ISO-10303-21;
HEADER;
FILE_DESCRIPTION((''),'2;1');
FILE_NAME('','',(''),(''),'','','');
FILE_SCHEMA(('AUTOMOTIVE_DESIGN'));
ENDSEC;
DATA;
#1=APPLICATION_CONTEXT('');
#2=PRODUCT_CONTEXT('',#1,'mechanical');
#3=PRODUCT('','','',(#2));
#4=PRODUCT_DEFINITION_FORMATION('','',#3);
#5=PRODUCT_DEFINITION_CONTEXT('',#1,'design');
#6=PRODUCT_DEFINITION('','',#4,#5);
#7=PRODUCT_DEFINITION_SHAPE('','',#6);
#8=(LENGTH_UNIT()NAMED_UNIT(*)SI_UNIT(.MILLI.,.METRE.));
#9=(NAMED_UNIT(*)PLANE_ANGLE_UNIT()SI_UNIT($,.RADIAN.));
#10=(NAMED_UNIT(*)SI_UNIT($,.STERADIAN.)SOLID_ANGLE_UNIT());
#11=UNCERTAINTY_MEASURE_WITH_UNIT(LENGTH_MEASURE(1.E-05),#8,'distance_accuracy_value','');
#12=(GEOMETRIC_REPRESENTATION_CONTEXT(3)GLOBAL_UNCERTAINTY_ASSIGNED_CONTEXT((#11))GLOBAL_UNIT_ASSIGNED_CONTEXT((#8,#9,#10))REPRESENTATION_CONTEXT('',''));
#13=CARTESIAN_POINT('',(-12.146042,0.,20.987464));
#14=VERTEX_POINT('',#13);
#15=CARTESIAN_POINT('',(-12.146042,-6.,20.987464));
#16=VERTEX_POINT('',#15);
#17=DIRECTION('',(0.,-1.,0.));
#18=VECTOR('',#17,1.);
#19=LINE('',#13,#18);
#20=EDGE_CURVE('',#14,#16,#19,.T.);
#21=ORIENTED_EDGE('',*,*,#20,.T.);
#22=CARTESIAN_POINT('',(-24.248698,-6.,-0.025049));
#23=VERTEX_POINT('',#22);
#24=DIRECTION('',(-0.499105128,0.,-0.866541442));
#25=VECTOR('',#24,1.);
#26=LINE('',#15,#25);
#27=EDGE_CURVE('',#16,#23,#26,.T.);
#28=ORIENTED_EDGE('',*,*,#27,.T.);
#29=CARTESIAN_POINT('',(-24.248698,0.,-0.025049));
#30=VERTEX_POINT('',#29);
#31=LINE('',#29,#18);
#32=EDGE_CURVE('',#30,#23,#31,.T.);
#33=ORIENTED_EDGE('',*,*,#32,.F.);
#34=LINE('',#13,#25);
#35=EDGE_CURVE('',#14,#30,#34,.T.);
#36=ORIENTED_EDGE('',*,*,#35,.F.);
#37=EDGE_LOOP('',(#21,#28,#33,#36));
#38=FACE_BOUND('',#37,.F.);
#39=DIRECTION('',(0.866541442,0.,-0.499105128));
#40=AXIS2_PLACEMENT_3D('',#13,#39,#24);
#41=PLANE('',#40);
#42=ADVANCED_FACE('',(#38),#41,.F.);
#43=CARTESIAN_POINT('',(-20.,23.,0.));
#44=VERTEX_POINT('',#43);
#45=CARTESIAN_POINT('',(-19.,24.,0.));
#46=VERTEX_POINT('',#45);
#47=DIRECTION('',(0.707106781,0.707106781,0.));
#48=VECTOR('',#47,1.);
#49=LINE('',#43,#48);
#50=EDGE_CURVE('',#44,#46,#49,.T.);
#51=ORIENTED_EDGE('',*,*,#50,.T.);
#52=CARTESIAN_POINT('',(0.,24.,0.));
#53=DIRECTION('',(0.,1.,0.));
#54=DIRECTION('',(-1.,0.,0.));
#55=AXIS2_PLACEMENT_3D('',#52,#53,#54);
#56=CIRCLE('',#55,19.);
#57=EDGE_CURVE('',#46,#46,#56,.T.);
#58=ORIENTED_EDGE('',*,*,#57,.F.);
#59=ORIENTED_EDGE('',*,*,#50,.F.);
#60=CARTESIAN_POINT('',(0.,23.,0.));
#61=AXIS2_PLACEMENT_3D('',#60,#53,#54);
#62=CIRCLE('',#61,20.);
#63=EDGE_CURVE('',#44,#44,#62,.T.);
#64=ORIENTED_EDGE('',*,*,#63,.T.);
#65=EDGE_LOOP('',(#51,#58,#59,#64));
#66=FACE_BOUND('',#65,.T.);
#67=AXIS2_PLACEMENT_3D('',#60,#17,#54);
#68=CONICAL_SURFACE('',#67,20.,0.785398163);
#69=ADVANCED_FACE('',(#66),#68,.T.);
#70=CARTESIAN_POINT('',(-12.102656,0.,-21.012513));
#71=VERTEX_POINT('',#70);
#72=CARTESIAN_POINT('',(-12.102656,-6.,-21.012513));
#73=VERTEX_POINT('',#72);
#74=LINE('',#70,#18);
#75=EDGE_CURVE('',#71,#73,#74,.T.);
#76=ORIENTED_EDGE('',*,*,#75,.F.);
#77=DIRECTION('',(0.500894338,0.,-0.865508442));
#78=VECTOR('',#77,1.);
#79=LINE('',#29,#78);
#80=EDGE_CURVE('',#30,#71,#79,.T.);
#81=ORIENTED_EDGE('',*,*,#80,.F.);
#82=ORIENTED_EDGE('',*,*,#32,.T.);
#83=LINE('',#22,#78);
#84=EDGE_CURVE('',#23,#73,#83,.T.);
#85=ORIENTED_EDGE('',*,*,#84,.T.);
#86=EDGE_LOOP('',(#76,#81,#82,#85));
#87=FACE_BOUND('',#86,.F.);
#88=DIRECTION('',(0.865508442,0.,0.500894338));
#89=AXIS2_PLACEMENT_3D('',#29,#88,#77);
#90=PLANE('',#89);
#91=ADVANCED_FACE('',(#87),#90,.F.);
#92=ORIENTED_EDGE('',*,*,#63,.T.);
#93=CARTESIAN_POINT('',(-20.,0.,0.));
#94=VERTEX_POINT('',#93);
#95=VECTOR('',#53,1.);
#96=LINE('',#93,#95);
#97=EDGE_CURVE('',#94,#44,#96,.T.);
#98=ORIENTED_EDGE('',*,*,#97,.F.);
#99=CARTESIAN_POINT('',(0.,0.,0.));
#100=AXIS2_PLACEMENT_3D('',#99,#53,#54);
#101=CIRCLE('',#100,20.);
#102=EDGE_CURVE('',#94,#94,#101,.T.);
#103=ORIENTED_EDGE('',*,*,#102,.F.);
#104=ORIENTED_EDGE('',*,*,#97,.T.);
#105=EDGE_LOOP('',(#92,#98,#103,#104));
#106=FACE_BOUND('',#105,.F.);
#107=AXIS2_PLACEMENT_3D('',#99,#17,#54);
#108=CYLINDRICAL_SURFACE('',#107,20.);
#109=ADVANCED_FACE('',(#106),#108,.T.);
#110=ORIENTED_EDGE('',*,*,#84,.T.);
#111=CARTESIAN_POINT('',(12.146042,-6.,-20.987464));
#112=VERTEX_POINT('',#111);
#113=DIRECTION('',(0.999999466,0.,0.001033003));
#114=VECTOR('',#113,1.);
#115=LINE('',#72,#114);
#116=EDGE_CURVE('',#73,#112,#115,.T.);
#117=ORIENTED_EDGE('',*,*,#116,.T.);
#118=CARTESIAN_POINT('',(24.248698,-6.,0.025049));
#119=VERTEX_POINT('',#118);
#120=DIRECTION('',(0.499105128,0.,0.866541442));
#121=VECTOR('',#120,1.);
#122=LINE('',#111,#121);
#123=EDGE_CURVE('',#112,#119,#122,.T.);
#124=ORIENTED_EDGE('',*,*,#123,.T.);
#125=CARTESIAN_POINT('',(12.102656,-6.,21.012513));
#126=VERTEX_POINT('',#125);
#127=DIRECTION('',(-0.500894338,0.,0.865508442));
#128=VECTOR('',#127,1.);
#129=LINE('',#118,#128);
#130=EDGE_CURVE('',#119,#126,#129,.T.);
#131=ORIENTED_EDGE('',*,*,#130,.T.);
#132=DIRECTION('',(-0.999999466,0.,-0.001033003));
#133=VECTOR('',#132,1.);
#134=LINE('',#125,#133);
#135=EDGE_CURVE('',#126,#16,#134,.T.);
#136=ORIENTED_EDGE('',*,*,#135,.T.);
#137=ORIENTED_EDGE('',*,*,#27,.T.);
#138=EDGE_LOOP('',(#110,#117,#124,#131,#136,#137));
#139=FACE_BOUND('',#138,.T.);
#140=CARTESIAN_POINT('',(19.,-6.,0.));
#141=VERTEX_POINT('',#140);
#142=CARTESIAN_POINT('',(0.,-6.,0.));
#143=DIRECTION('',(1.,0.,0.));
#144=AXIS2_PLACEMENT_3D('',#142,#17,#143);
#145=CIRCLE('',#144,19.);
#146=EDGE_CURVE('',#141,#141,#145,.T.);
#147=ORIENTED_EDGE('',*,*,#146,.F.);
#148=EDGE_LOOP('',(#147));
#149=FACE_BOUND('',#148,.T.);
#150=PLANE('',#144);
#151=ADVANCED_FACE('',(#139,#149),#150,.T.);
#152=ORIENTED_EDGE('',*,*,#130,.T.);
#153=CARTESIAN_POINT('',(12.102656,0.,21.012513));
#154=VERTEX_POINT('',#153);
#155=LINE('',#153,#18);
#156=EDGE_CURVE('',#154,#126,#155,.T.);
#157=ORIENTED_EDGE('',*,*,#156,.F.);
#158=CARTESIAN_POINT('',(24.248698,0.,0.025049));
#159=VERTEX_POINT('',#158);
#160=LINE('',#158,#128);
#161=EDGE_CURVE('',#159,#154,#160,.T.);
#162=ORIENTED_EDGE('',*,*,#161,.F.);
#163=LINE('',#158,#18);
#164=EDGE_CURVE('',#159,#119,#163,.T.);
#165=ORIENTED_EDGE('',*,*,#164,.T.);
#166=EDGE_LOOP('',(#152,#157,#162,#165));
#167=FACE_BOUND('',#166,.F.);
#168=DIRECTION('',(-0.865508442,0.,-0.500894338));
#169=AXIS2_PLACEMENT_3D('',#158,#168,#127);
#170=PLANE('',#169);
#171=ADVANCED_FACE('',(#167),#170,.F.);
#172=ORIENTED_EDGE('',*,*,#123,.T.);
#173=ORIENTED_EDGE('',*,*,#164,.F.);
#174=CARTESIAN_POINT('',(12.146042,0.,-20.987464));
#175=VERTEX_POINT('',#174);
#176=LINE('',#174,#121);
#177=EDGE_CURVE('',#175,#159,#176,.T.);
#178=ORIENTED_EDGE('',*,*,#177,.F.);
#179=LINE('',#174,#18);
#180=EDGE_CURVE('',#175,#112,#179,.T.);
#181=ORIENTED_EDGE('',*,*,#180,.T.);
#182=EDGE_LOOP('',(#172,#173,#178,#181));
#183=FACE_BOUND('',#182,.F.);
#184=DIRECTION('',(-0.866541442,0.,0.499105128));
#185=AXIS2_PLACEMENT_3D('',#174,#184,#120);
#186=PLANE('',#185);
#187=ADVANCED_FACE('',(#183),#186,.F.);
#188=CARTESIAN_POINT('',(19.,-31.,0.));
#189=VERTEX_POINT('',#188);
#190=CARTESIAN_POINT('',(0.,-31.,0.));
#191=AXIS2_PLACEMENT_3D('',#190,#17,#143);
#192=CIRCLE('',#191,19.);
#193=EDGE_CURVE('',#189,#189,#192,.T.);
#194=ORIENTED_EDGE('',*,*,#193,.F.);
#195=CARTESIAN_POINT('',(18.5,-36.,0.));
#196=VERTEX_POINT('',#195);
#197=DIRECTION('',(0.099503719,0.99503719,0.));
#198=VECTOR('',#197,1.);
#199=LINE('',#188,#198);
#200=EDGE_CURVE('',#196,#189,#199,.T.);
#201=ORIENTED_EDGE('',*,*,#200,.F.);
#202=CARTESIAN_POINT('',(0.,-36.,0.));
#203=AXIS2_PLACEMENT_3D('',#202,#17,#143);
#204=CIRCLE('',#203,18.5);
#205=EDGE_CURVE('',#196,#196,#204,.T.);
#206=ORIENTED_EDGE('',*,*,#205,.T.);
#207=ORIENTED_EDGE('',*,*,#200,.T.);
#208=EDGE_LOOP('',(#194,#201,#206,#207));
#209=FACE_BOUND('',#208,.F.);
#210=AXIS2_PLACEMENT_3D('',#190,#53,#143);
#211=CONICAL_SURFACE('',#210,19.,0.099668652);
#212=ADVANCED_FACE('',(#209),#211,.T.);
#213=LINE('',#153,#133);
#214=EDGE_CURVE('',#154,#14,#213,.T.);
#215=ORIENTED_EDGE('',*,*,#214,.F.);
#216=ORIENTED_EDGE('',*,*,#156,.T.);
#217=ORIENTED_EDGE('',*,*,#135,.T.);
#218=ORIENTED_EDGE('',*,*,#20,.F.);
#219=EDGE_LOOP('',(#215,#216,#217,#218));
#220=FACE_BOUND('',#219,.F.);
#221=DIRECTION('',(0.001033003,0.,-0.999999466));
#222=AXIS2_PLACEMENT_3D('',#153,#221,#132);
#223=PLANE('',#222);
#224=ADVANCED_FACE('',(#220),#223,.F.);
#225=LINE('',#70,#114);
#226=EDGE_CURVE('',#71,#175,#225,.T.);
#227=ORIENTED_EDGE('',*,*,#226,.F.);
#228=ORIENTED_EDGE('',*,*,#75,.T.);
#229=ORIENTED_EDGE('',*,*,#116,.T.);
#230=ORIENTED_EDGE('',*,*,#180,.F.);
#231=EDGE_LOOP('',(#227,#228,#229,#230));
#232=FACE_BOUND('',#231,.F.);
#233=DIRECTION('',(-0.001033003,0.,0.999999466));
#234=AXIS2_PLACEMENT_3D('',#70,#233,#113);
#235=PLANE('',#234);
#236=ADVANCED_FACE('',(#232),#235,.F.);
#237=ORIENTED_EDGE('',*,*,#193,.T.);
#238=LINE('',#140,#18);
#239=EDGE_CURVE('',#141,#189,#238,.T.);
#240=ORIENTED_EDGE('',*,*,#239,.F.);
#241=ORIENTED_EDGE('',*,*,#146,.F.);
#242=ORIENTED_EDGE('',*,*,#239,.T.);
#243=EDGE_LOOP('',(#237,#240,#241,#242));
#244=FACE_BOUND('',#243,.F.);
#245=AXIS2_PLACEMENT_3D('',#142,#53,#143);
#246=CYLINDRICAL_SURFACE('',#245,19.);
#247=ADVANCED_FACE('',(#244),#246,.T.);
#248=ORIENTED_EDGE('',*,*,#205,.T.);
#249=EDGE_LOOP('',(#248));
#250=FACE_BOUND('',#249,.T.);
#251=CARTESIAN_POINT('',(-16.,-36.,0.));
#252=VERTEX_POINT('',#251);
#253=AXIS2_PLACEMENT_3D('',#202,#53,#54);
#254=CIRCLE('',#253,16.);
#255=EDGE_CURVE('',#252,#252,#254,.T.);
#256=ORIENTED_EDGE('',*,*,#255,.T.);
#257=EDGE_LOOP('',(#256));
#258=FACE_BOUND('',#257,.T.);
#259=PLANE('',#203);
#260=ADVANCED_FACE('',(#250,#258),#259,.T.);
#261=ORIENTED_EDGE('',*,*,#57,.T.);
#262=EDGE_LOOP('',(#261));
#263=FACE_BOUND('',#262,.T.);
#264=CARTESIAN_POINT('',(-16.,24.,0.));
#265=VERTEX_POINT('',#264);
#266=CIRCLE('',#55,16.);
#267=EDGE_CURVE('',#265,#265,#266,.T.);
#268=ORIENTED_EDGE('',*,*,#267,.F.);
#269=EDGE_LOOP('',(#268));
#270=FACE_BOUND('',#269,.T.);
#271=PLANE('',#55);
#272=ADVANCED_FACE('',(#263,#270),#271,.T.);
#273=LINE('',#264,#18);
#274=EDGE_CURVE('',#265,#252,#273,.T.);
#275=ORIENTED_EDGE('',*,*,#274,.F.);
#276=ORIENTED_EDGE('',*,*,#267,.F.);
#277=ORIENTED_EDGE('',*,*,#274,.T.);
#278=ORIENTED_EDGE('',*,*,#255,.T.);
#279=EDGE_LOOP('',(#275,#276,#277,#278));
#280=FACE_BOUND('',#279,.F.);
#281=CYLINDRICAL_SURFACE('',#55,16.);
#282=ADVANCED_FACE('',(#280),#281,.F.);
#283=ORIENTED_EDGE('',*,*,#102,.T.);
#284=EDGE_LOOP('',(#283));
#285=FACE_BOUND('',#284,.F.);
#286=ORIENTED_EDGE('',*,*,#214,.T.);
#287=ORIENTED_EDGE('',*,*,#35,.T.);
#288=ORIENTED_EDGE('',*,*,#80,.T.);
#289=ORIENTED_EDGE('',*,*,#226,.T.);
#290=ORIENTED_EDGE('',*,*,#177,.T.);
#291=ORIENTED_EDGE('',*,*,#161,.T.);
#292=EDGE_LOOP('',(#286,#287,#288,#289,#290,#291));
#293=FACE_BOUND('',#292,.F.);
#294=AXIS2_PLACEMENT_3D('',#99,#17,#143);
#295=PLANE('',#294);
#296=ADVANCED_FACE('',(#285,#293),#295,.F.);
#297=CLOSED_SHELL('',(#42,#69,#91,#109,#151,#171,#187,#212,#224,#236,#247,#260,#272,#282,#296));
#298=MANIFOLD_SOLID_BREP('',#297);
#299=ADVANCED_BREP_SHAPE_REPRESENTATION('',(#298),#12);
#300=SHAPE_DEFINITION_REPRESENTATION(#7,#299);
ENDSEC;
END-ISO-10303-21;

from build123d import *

# Parameters (mm, degrees)
F1_DEPTH = 6
F2_R     = 19
F3_DEPTH = 30
F4_R     = 20
F5_DEPTH = 24
F6_R     = 16
F7_DEPTH = 60.001
F8_SIZE  = 1
F9_SIZE2 = 5
F9_SIZE  = 0.5


with BuildPart() as f1:
    # F0 (on Front) → F1 (new body)
    with BuildSketch(Plane.XZ):
        Polygon((24.248698, 0.025049), (12.102656, 21.012513), (-12.146042, 20.987464), (-24.248698, -0.025049), (-12.102656, -21.012513), (12.146042, -20.987464), align=None)
    extrude(amount=F1_DEPTH)

    # F2 (on face) → F3 (join)
    with BuildSketch(Plane.XZ.offset(6)):
        Circle(F2_R)
    extrude(amount=F3_DEPTH)

    # F4 (on face) → F5 (join)
    with BuildSketch(Plane(origin=(0, 0, 0), x_dir=(-1, 0, 0), z_dir=(0, 1, 0))):
        Circle(F4_R)
    extrude(amount=F5_DEPTH)

    # F6 (on face) → F7 (cut, through all)
    with BuildSketch(Plane(origin=(0, 24, 0), x_dir=(-1, 0, 0), z_dir=(0, 1, 0))):
        Circle(F6_R)
    extrude(amount=-F7_DEPTH, mode=Mode.SUBTRACT)

    # F8
    f8_edges = [f1.edges().sort_by_distance(p)[0] for p in [
        (20, 24, 0),
    ]]
    chamfer(f8_edges, length=F8_SIZE)

    # F9
    f9_edges = [f1.edges().sort_by_distance(p)[0] for p in [
        (-19, -36, 0),
    ]]
    chamfer(f9_edges, length=F9_SIZE, length2=F9_SIZE2)


solid = f1.part
